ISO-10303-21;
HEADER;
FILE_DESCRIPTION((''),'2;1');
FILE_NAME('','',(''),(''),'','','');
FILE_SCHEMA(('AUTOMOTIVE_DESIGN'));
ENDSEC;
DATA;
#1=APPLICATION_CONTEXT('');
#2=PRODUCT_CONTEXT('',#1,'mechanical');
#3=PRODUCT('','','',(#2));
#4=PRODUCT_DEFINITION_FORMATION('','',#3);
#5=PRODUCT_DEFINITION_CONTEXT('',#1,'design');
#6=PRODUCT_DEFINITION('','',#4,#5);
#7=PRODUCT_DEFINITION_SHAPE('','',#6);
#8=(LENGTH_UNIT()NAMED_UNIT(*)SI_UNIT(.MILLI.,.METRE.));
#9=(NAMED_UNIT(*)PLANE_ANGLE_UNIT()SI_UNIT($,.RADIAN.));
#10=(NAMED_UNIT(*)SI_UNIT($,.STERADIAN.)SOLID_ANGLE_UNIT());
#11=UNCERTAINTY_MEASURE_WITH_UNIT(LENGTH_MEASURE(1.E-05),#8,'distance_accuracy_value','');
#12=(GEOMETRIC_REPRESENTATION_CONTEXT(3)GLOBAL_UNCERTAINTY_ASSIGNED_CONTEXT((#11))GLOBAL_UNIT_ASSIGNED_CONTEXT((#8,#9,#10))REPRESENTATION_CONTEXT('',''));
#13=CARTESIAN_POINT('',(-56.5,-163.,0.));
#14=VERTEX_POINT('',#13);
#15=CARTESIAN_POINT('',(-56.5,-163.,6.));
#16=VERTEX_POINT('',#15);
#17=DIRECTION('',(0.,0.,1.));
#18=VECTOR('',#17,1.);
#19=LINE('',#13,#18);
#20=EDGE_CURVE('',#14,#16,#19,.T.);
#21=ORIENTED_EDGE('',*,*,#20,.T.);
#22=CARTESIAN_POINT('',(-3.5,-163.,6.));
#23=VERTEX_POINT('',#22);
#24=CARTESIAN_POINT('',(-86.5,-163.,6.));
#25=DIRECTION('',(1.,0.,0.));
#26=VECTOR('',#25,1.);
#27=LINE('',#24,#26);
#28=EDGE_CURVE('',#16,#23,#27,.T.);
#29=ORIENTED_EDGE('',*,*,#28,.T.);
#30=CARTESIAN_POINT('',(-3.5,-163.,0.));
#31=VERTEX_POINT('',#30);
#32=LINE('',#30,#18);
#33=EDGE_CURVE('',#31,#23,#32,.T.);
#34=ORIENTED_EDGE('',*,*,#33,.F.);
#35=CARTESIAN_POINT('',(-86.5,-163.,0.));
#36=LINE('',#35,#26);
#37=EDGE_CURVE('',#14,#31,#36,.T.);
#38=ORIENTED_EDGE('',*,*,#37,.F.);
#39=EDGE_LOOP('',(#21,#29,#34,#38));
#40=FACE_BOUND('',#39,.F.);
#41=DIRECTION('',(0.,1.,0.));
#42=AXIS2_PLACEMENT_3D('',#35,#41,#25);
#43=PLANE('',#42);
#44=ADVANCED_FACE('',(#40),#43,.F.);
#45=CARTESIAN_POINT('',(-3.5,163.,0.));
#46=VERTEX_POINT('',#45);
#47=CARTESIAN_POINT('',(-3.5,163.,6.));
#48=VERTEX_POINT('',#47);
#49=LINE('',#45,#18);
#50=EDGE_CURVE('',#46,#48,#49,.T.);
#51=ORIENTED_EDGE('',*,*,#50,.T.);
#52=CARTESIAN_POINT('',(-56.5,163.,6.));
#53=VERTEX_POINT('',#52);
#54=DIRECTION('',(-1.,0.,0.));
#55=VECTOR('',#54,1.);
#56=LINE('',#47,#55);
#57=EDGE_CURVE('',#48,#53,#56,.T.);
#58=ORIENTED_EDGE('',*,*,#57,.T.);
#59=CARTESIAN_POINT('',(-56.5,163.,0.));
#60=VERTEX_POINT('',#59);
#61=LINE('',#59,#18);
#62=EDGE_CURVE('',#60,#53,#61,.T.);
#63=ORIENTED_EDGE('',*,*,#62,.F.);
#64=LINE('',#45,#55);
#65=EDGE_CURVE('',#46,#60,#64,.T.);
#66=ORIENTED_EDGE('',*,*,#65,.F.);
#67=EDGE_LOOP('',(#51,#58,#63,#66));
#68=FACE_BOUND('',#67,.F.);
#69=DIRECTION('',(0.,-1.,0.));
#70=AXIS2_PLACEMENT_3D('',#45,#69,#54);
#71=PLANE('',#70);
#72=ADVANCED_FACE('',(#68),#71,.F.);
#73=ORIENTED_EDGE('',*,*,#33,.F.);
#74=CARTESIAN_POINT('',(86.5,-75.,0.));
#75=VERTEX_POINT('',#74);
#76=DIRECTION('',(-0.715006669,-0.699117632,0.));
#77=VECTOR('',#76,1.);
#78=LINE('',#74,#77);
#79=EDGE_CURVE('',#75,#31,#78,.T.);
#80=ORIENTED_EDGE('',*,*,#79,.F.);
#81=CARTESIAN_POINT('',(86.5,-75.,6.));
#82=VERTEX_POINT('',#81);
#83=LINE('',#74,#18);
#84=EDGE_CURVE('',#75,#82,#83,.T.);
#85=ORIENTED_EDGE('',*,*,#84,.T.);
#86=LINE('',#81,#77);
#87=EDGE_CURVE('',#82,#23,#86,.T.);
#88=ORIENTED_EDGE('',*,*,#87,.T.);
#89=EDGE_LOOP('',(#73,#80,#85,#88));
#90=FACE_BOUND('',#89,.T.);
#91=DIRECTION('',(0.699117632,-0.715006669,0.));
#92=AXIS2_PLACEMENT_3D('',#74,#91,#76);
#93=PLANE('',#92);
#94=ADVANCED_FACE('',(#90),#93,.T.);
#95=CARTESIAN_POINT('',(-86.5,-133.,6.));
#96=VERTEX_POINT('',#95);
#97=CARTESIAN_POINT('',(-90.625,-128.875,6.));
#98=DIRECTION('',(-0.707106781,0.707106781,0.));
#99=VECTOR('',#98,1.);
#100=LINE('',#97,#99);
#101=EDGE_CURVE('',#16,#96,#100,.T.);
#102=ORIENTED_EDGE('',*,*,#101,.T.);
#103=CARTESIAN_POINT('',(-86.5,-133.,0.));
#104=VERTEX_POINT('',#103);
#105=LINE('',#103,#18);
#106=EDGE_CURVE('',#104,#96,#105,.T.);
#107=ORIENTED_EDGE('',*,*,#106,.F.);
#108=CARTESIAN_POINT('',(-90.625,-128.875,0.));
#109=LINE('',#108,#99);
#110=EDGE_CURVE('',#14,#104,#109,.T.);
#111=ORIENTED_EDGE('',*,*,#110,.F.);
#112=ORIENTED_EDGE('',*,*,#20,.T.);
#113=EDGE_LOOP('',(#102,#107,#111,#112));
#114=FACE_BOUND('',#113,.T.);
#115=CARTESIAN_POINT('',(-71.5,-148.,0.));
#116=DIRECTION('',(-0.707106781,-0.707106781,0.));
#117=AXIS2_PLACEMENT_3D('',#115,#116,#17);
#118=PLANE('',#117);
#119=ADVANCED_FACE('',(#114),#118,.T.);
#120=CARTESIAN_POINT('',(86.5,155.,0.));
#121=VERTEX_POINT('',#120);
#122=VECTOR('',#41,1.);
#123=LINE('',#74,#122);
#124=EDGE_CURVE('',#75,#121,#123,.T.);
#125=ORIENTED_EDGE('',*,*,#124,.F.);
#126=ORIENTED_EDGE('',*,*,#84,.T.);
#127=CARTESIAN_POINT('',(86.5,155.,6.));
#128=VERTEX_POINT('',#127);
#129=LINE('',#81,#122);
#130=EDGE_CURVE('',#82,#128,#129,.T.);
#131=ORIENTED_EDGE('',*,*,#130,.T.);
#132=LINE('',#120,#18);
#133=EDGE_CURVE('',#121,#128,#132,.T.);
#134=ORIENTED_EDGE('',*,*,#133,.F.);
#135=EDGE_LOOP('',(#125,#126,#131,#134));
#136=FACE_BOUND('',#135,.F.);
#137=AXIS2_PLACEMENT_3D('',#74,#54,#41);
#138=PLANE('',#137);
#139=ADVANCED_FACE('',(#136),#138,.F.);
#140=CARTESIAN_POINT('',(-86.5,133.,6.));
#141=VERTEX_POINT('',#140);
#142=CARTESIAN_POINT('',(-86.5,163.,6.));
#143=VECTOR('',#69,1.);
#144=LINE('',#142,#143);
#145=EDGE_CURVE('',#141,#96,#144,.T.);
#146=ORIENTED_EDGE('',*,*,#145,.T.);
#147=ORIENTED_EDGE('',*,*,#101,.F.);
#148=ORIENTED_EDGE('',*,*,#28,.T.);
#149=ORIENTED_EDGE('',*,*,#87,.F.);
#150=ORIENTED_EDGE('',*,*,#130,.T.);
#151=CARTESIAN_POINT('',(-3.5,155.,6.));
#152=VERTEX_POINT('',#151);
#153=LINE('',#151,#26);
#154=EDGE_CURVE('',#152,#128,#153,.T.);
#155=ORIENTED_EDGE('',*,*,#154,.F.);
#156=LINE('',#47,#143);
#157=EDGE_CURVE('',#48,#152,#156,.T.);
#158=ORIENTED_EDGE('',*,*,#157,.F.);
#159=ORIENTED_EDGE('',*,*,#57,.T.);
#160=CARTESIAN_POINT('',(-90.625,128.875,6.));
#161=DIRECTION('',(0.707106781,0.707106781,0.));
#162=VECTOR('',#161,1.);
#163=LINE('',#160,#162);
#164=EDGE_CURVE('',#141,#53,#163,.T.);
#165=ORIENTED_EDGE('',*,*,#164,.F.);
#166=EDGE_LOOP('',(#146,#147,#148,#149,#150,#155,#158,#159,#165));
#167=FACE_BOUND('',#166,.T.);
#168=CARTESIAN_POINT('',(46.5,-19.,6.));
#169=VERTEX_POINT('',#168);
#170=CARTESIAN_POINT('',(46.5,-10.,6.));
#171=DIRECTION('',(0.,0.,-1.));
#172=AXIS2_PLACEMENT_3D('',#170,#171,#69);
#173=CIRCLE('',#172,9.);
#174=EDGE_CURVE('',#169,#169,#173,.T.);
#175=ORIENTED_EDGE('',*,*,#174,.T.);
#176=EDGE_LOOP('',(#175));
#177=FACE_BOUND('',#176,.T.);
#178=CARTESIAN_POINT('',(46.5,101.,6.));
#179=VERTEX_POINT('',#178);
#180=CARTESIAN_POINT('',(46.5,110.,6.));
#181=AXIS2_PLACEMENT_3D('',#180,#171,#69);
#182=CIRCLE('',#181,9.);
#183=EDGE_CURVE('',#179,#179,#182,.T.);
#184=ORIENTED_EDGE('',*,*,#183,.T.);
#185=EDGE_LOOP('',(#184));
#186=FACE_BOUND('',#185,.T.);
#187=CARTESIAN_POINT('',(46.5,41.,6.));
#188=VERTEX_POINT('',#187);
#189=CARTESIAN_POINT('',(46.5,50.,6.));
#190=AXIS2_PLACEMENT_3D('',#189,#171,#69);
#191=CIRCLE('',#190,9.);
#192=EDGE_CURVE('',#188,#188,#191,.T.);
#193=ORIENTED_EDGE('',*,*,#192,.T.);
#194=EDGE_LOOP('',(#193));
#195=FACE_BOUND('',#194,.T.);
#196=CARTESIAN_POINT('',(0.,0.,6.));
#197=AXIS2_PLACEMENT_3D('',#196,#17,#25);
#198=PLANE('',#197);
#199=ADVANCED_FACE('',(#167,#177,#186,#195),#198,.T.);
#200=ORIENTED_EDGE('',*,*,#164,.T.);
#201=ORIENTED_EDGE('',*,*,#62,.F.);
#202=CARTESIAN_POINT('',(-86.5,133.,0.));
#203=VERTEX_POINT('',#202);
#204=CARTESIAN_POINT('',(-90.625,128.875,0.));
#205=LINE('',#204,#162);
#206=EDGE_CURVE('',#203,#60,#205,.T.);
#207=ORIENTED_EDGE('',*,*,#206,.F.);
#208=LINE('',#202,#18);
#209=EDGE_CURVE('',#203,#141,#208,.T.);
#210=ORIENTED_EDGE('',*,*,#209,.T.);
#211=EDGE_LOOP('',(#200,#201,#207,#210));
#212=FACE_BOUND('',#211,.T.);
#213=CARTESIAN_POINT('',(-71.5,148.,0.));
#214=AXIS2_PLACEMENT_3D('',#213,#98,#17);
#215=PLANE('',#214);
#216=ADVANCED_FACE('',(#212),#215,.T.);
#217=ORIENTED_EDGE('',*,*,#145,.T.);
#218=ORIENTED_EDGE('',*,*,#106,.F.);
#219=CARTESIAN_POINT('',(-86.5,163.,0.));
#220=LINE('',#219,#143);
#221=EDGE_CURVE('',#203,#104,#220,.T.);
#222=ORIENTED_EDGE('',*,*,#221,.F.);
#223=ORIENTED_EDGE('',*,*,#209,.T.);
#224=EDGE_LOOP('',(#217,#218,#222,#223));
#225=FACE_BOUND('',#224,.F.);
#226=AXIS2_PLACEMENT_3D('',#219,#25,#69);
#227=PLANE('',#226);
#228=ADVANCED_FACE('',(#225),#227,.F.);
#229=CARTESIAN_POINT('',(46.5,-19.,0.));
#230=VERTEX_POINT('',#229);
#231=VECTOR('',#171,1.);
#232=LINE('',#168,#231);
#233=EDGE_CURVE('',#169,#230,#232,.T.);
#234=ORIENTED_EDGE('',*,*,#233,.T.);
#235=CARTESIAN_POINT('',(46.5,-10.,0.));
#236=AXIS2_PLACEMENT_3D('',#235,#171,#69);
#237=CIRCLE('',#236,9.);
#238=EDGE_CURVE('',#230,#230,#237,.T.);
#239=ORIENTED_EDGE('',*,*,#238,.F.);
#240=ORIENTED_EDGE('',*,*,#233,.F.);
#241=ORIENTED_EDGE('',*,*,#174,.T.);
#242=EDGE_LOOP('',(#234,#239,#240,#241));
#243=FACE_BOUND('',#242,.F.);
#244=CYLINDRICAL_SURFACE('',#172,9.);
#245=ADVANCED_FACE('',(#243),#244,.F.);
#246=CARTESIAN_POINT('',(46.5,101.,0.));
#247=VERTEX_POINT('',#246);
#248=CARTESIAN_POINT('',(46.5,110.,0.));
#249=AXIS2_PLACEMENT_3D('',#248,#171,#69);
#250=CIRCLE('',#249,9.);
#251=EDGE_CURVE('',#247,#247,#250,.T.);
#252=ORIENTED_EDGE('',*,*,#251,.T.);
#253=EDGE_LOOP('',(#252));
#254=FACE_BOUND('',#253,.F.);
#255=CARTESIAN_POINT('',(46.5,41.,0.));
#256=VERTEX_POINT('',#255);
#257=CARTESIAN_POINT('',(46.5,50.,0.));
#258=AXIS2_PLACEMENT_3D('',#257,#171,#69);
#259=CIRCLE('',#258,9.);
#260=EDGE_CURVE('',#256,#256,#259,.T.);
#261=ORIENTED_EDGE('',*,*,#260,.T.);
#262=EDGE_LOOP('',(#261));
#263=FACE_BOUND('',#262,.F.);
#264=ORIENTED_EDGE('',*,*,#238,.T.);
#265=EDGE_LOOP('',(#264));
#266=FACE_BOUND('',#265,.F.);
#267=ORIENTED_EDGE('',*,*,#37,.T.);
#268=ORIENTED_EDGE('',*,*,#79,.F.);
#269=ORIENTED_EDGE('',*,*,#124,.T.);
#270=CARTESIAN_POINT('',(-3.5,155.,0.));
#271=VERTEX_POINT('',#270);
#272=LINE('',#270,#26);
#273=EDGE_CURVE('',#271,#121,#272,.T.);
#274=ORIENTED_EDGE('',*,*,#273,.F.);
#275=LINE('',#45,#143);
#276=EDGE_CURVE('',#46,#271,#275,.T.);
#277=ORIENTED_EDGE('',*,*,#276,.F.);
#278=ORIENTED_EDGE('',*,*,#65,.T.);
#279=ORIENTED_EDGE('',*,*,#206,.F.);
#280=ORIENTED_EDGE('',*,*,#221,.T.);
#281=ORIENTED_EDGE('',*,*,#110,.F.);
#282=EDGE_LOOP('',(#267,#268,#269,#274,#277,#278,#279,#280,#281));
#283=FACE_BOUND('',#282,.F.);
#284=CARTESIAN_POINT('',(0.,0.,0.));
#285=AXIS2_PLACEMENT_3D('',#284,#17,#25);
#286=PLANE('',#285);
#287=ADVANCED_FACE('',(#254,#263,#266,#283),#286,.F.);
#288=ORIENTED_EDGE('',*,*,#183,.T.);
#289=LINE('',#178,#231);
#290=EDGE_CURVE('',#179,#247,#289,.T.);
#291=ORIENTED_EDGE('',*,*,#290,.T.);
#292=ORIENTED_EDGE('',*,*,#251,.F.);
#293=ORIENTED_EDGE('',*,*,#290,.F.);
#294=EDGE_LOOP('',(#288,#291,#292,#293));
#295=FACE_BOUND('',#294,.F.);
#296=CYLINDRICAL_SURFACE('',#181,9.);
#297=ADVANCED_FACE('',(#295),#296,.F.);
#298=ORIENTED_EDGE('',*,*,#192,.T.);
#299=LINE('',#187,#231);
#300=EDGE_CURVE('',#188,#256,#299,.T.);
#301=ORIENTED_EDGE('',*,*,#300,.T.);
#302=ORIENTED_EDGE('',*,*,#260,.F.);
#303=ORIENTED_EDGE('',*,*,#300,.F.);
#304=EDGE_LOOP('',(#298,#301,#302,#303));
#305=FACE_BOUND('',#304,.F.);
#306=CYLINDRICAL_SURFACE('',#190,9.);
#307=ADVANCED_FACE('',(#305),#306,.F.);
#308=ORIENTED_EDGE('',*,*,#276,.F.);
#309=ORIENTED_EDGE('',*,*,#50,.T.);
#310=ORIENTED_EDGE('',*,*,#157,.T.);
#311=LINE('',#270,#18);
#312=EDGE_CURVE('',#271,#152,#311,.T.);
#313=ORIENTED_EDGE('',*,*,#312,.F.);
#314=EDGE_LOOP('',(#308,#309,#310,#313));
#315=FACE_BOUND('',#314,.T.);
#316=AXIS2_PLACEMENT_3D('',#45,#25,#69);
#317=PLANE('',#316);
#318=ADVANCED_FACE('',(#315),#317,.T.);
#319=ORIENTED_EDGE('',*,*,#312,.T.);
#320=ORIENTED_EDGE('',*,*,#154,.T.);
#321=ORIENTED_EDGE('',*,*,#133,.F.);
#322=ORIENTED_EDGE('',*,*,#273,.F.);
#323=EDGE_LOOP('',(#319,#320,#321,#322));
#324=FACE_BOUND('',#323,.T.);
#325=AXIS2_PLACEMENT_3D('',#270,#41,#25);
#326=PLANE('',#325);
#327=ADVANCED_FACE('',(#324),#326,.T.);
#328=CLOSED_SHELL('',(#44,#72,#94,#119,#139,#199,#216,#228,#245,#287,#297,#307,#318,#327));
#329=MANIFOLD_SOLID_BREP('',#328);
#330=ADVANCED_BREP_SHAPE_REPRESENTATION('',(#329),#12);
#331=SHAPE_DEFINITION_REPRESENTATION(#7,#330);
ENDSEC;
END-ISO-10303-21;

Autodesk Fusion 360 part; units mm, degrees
sketch "スケッチ1" plane through (0, 0, 0) normal (0, 0, 1) x (1, 0, 0)
  line L0 (-3.5, 163) -> (-86.5, 163)
  line L1 (-86.5, 163) -> (-86.5, -163)
  line L2 (-86.5, -163) -> (-3.5, -163)
  line L3 (86.5, -75) -> (86.5, 155)
  line L4 (82.2546, 155) -> (-86.5, -163) construction
  line L5 (-86.5, 163) -> (55.7541, -105.0627) construction
  line L6 (-3.5, 163) -> (-3.5, 155)
  line L7 (-3.5, 155) -> (86.5, 155)
  line L8 (-86.5, -163) -> (-3.5, -163) construction
  line L9 (86.5, -75) -> (-3.5, -163)
  dimension "d2" = 326
  dimension "d5" = 83
extrude "押し出し1" add sketch "スケッチ1" along normal blind 6
chamfer "面取り1" distance 30 angle 45 2 edges at (-86.5, -163, 3) (-86.5, 163, 3)
sketch "スケッチ2" plane through (0, 0, 6) normal (0, 0, 1) x (-1, 0, 0)
  line L0 (56.5, -163) -> (86.5, -133)
  line L1 (86.5, -133) -> (86.5, 133)
  line L2 (86.5, 133) -> (56.5, 163)
  line L3 (56.5, 163) -> (3.5, 163)
  line L4 (3.5, 163) -> (-86.5, 75)
  line L5 (-86.5, 75) -> (-86.5, -155)
  line L6 (-86.5, -155) -> (3.5, -155)
  line L7 (3.5, -155) -> (3.5, -163)
  line L8 (3.5, -163) -> (56.5, -163)
  line L9 (-86.5, -155) -> (-46.5, -155) construction
  line L10 (-46.5, -155) -> (-46.5, -110) construction
  line L11 (-46.5, -110) -> (-86.5, -110) construction
  line L12 (-86.5, -110) -> (-86.5, -155) construction
  line L13 (-46.5, -110) -> (-46.5, -50) construction
  line L14 (-46.5, -50) -> (-46.5, 10) construction
  point P0 (-46.5, -110)
  point P1 (-46.5, -50)
  point P2 (-46.5, 10)
  dimension "d10" = 40
  dimension "d11" = 45
  dimension "d12" = 60
  dimension "d13" = 60
hole "穴1" at (46.5, 110, 6) at (46.5, 50, 6) at (46.5, -10, 6) direction (0, 0, -1) diameter 18 end through all
equation "d5 = 30 mm + 53 mm"
